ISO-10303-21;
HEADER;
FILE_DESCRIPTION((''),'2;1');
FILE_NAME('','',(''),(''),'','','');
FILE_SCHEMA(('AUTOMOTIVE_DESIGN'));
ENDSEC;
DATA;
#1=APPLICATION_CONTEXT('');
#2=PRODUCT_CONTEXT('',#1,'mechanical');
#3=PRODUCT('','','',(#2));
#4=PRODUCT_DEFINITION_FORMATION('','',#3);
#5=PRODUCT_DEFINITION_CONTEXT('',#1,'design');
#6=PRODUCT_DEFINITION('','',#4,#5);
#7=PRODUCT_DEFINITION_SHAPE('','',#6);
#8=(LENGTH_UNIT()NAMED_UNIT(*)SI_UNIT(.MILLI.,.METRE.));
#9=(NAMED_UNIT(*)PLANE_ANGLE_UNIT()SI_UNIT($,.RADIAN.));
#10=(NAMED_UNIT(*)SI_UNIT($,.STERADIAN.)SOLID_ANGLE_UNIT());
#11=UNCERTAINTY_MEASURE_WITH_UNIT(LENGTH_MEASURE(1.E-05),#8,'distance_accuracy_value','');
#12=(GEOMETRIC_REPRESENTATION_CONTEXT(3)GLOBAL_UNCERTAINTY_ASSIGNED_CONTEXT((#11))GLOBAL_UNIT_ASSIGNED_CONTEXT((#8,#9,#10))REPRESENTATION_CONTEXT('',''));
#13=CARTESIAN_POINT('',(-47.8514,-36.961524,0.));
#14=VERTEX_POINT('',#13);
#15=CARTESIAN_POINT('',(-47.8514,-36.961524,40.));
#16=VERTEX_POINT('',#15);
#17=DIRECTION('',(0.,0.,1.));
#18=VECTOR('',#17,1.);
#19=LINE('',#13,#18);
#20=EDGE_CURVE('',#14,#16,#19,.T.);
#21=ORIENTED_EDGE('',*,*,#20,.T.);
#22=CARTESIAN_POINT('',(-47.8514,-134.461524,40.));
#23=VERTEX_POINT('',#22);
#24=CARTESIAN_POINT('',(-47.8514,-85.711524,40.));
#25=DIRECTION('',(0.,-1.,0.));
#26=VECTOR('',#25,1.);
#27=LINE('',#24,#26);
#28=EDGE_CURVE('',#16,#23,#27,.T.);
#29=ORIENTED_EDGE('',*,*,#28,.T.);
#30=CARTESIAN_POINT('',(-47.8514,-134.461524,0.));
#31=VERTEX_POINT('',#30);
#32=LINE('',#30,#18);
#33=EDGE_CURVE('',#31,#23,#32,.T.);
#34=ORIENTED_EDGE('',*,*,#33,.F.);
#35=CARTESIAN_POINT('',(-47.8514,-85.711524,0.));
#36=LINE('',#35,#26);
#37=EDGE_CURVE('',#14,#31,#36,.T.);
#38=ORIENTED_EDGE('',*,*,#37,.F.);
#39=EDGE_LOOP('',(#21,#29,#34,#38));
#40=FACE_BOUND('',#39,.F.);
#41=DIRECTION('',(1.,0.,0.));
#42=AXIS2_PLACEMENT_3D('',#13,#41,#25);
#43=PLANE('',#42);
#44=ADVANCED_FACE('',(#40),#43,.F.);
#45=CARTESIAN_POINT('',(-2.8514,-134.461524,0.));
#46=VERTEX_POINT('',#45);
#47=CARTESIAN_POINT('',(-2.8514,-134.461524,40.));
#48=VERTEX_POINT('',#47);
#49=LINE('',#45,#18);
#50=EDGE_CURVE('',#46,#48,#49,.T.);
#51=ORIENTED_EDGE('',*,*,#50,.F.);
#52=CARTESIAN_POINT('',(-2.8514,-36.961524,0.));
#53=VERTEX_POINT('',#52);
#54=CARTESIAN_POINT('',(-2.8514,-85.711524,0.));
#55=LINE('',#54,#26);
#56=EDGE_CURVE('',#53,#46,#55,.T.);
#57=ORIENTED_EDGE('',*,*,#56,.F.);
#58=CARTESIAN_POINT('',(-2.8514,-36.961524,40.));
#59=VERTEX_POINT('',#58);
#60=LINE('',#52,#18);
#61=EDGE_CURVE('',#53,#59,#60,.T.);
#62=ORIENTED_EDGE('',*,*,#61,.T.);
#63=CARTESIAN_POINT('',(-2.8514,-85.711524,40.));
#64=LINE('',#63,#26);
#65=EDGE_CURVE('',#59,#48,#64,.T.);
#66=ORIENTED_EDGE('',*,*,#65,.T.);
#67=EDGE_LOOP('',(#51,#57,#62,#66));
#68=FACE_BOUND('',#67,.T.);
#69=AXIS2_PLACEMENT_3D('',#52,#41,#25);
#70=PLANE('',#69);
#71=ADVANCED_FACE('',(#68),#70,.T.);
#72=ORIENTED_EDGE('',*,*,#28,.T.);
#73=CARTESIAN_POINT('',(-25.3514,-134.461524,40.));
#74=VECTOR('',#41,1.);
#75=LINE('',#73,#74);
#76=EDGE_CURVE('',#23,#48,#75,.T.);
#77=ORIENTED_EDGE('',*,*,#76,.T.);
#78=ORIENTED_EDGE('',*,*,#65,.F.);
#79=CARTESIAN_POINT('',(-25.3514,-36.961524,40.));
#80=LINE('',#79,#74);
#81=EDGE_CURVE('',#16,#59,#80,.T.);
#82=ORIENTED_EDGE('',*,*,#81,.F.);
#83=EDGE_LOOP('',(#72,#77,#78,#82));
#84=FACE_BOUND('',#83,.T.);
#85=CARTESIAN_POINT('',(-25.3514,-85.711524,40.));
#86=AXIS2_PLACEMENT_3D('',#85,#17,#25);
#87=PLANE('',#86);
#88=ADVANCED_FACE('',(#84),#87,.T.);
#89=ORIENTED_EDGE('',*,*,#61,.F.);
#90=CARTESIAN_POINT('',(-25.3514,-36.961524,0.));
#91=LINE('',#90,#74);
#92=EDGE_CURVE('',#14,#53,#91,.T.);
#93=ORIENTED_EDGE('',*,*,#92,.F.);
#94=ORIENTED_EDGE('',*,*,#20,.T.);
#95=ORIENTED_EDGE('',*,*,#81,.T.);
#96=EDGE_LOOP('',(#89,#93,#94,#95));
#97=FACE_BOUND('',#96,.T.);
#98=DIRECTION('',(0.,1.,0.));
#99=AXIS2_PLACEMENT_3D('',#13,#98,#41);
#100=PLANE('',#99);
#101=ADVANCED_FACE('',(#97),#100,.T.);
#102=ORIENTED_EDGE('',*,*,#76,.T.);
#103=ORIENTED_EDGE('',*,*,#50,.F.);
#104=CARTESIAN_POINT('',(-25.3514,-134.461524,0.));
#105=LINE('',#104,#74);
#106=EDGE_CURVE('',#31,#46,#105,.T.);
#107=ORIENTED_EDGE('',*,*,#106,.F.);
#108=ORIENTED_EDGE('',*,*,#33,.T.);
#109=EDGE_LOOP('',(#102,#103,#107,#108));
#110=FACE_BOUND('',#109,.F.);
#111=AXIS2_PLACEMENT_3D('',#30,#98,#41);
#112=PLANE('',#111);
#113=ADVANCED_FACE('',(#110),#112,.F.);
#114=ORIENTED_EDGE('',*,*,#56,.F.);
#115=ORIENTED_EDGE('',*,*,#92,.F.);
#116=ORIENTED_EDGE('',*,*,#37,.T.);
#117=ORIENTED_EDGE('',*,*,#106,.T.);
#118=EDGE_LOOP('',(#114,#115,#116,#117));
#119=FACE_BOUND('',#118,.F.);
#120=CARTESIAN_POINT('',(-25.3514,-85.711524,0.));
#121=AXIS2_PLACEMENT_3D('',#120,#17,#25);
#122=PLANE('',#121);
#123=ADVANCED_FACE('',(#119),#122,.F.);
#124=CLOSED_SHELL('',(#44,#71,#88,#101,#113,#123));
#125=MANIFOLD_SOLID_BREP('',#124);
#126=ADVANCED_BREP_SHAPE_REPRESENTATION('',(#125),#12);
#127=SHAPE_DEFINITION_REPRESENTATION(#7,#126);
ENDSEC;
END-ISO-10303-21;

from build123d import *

# Parameters (mm, degrees)
F0_W     = 97.5
F0_H     = 45
F1_DEPTH = 40
F2_ANGLE = 90


with BuildPart() as f1:
    # F0 (on Top) → F1 (new body)
    with BuildSketch(Plane.XY):
        with Locations((0.8985996246, -14.4615235215)):
            Rectangle(F0_W, F0_H)
    extrude(amount=F1_DEPTH)


with BuildPart() as f1_1:
    # F2: moved
    add(f1.part.rotate(Axis((-47.8514003754, -36.9615235215, 20), (0, 0, -1)), F2_ANGLE))


solid = f1_1.part
